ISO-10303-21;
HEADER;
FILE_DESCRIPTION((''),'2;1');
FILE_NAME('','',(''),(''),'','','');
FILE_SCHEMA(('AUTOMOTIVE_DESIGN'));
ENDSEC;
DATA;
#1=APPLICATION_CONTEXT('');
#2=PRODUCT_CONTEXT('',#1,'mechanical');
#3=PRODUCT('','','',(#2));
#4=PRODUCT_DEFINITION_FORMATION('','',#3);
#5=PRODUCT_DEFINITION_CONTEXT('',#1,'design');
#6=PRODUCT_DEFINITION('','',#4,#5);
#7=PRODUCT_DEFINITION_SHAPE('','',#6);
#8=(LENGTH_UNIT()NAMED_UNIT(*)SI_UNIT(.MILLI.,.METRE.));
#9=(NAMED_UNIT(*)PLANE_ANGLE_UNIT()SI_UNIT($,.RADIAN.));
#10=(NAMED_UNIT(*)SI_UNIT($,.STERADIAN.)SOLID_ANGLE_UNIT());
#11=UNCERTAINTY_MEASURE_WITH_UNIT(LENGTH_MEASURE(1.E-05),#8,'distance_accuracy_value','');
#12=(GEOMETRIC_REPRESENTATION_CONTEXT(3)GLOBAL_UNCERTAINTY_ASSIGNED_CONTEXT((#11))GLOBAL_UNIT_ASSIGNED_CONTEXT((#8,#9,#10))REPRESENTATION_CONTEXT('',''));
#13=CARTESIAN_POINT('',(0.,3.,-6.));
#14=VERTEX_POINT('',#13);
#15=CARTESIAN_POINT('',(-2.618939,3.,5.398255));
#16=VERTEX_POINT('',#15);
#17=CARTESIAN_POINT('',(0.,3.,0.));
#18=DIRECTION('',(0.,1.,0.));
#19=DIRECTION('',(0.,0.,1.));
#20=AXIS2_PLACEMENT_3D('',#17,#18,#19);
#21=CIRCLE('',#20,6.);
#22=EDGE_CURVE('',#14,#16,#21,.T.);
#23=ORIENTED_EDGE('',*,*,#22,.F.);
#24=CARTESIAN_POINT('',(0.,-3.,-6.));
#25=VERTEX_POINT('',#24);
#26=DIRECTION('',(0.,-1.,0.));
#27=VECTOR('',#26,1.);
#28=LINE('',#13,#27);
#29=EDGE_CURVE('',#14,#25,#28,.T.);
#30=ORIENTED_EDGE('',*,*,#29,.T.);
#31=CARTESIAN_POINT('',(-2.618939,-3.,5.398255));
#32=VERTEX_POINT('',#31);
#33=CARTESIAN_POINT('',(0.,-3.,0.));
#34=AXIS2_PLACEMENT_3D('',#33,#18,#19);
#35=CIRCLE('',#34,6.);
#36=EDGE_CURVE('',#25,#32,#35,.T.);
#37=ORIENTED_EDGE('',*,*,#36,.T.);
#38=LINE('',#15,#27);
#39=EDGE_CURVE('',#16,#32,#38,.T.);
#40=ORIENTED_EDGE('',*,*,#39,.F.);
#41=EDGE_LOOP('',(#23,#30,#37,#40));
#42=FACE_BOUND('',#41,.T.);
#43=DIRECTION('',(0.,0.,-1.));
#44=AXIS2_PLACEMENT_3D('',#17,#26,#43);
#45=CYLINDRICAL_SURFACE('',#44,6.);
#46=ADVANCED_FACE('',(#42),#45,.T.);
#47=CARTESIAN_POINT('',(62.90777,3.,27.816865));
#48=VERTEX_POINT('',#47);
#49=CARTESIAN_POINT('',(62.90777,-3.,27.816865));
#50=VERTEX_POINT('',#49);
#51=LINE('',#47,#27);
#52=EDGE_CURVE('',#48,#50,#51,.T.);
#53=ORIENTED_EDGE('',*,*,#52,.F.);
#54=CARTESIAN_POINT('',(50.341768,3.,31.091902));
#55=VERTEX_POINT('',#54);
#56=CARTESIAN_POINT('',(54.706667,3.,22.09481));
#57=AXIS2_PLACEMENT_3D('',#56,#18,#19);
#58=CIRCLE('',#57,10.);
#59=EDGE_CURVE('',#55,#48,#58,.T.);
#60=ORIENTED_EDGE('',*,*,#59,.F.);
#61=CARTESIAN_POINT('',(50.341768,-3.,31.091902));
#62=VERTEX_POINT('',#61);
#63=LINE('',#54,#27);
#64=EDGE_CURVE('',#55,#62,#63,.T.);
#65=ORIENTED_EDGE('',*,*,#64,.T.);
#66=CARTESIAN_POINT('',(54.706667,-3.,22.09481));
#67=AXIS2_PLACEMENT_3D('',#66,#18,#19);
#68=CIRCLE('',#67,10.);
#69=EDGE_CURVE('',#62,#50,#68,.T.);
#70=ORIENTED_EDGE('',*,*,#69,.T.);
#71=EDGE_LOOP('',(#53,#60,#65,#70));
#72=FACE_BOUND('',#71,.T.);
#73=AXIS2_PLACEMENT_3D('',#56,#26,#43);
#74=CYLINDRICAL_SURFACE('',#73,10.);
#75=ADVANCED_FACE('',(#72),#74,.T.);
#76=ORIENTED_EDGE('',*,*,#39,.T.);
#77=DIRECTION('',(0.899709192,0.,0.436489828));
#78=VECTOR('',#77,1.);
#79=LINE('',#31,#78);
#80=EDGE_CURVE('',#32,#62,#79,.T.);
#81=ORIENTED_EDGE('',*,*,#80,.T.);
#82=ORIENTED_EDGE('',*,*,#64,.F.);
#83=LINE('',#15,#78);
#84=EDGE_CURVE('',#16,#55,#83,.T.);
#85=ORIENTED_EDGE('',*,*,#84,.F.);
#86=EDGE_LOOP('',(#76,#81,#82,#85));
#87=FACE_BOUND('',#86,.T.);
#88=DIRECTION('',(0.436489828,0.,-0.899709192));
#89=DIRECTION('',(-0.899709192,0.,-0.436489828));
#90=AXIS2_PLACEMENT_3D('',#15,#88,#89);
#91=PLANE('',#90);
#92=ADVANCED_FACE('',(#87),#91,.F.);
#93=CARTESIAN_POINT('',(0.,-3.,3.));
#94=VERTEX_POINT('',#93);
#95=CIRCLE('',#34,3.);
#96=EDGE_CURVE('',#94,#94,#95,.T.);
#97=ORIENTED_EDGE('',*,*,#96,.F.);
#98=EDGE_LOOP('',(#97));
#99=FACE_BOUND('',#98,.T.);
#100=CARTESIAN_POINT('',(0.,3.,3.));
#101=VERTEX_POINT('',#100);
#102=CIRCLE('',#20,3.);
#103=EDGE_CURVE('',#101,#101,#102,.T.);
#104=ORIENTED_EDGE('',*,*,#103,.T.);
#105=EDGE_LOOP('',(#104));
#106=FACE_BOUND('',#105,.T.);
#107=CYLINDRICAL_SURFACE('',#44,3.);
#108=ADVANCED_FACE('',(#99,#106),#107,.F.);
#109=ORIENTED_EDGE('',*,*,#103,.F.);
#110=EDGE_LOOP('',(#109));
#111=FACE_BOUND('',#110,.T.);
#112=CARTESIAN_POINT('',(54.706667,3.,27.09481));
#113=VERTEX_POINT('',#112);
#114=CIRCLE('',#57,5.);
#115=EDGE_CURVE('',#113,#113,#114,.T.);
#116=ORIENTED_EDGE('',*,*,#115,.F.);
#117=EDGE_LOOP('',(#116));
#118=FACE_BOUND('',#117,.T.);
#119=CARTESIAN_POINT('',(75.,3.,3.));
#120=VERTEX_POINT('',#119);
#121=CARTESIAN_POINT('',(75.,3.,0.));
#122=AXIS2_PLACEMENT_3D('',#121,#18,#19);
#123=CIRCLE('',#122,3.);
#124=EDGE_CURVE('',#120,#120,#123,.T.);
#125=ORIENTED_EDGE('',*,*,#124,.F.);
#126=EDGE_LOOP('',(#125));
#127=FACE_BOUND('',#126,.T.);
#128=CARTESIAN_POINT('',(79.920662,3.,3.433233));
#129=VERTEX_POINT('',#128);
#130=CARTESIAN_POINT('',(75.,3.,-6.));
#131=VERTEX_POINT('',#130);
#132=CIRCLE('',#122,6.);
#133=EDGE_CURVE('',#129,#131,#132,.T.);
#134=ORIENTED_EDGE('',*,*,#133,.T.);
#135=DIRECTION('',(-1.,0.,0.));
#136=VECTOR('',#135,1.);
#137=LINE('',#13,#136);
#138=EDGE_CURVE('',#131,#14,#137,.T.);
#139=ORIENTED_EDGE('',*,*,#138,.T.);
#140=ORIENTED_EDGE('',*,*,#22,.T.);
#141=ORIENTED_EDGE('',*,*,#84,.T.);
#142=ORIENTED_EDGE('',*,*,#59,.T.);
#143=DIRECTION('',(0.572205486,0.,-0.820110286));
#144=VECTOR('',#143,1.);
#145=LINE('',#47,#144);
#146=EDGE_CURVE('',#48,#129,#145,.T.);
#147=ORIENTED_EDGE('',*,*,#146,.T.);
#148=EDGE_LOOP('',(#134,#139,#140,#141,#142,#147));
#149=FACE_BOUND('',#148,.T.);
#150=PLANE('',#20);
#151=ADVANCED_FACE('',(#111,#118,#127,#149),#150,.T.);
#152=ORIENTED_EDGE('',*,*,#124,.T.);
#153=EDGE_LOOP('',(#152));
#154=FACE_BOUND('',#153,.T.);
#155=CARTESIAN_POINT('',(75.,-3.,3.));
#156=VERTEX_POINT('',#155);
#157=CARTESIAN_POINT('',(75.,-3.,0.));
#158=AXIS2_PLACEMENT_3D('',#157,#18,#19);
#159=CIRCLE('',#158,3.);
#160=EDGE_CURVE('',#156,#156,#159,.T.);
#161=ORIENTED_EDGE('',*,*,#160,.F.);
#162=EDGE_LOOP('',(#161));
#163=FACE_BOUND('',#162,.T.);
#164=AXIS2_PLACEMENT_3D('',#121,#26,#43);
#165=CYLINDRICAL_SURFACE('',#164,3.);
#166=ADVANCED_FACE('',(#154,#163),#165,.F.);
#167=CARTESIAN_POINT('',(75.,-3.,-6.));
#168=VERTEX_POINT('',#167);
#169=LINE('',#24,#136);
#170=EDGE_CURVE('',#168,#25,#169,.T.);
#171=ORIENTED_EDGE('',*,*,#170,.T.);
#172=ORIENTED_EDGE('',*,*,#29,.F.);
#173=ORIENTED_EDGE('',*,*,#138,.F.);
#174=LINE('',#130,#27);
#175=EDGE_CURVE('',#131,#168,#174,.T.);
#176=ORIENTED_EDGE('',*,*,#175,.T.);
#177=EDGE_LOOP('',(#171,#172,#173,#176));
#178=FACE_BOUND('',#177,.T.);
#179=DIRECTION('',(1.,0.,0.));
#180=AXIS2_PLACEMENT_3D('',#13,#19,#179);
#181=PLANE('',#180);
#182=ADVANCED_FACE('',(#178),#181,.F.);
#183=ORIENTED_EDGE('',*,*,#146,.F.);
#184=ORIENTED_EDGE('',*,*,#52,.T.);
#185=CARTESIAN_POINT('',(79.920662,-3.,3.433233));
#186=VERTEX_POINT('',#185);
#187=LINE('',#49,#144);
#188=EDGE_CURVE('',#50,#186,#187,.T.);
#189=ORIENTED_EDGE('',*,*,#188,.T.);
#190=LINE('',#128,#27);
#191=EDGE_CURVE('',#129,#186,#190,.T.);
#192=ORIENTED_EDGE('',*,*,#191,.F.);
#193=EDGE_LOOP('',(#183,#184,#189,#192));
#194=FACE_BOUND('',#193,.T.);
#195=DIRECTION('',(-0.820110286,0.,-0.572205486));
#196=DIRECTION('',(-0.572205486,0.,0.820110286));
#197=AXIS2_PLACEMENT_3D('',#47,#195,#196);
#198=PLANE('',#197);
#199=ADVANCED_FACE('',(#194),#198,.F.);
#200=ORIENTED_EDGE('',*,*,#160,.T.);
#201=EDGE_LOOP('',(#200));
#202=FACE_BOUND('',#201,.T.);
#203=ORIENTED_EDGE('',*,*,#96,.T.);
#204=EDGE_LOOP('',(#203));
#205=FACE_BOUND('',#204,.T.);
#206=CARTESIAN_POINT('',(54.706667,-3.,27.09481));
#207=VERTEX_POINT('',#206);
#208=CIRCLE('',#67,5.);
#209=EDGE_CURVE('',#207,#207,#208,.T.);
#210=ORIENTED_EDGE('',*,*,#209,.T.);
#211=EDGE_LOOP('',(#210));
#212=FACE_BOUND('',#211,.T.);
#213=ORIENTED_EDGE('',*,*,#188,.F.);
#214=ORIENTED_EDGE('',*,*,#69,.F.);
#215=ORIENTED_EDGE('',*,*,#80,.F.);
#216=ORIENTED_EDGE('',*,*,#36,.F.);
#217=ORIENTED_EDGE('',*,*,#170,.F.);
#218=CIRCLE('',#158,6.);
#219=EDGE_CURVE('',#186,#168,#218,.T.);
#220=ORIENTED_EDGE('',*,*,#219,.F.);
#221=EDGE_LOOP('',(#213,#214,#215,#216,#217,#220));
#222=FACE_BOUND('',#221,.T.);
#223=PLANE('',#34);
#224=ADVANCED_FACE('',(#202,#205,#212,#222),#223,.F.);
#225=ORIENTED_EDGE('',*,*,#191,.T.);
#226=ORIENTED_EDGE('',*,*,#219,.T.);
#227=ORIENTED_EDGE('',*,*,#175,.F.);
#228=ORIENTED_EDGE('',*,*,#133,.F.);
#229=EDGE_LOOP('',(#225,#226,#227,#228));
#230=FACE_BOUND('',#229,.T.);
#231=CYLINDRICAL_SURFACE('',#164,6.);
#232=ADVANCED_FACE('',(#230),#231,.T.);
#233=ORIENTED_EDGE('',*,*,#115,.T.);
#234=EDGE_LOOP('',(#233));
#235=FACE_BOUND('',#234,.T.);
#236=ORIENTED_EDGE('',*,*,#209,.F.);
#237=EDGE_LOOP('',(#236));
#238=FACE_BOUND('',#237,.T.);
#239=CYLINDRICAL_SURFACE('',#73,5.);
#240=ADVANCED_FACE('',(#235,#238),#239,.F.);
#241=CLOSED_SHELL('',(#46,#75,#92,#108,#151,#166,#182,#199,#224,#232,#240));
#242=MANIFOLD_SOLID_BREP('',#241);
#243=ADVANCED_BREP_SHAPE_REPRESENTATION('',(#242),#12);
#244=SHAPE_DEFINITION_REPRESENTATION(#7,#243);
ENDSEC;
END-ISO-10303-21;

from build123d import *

# Parameters (mm, degrees)
SKETCH_1_R      = 5
SKETCH_1_R_2    = 3
EXTRUDE_1_DEPTH = 3


with BuildPart() as part:
    # 草图1 → 凸台-拉伸1 (new, symmetric)
    with BuildSketch(Plane(origin=(0, 0, 0), x_dir=(1, 0, 0), z_dir=(0, 1, 0))):
        with BuildLine():
            Line((-2.618938967, -5.398255152), (50.341768388, -31.091901768))
            ThreePointArc((50.341768388, -31.091901768), (57.228686361, -31.77155603), (62.907769529, -27.816864709))
            Line((62.907769529, -27.816864709), (79.920661718, -3.433232917))
            ThreePointArc((79.920661718, -3.433232917), (80.319746117, 2.774941666), (75, 6))
            Line((75, 6), (0, 6))
            ThreePointArc((0, 6), (-5.847629046, 1.34359017), (-2.618938967, -5.398255152))
        make_face()
        with Locations(Location((54.706666667, -22.094809848, 0), (0, 0, 270))):
            Circle(SKETCH_1_R, mode=Mode.SUBTRACT)
        with Locations(Location((75, 0, 0), (0, 0, 270))):
            Circle(SKETCH_1_R_2, mode=Mode.SUBTRACT)
        with Locations(Location((0, 0, 0), (0, 0, 270))):
            Circle(SKETCH_1_R_2, mode=Mode.SUBTRACT)
    extrude(amount=EXTRUDE_1_DEPTH, both=True)


solid = part.part
